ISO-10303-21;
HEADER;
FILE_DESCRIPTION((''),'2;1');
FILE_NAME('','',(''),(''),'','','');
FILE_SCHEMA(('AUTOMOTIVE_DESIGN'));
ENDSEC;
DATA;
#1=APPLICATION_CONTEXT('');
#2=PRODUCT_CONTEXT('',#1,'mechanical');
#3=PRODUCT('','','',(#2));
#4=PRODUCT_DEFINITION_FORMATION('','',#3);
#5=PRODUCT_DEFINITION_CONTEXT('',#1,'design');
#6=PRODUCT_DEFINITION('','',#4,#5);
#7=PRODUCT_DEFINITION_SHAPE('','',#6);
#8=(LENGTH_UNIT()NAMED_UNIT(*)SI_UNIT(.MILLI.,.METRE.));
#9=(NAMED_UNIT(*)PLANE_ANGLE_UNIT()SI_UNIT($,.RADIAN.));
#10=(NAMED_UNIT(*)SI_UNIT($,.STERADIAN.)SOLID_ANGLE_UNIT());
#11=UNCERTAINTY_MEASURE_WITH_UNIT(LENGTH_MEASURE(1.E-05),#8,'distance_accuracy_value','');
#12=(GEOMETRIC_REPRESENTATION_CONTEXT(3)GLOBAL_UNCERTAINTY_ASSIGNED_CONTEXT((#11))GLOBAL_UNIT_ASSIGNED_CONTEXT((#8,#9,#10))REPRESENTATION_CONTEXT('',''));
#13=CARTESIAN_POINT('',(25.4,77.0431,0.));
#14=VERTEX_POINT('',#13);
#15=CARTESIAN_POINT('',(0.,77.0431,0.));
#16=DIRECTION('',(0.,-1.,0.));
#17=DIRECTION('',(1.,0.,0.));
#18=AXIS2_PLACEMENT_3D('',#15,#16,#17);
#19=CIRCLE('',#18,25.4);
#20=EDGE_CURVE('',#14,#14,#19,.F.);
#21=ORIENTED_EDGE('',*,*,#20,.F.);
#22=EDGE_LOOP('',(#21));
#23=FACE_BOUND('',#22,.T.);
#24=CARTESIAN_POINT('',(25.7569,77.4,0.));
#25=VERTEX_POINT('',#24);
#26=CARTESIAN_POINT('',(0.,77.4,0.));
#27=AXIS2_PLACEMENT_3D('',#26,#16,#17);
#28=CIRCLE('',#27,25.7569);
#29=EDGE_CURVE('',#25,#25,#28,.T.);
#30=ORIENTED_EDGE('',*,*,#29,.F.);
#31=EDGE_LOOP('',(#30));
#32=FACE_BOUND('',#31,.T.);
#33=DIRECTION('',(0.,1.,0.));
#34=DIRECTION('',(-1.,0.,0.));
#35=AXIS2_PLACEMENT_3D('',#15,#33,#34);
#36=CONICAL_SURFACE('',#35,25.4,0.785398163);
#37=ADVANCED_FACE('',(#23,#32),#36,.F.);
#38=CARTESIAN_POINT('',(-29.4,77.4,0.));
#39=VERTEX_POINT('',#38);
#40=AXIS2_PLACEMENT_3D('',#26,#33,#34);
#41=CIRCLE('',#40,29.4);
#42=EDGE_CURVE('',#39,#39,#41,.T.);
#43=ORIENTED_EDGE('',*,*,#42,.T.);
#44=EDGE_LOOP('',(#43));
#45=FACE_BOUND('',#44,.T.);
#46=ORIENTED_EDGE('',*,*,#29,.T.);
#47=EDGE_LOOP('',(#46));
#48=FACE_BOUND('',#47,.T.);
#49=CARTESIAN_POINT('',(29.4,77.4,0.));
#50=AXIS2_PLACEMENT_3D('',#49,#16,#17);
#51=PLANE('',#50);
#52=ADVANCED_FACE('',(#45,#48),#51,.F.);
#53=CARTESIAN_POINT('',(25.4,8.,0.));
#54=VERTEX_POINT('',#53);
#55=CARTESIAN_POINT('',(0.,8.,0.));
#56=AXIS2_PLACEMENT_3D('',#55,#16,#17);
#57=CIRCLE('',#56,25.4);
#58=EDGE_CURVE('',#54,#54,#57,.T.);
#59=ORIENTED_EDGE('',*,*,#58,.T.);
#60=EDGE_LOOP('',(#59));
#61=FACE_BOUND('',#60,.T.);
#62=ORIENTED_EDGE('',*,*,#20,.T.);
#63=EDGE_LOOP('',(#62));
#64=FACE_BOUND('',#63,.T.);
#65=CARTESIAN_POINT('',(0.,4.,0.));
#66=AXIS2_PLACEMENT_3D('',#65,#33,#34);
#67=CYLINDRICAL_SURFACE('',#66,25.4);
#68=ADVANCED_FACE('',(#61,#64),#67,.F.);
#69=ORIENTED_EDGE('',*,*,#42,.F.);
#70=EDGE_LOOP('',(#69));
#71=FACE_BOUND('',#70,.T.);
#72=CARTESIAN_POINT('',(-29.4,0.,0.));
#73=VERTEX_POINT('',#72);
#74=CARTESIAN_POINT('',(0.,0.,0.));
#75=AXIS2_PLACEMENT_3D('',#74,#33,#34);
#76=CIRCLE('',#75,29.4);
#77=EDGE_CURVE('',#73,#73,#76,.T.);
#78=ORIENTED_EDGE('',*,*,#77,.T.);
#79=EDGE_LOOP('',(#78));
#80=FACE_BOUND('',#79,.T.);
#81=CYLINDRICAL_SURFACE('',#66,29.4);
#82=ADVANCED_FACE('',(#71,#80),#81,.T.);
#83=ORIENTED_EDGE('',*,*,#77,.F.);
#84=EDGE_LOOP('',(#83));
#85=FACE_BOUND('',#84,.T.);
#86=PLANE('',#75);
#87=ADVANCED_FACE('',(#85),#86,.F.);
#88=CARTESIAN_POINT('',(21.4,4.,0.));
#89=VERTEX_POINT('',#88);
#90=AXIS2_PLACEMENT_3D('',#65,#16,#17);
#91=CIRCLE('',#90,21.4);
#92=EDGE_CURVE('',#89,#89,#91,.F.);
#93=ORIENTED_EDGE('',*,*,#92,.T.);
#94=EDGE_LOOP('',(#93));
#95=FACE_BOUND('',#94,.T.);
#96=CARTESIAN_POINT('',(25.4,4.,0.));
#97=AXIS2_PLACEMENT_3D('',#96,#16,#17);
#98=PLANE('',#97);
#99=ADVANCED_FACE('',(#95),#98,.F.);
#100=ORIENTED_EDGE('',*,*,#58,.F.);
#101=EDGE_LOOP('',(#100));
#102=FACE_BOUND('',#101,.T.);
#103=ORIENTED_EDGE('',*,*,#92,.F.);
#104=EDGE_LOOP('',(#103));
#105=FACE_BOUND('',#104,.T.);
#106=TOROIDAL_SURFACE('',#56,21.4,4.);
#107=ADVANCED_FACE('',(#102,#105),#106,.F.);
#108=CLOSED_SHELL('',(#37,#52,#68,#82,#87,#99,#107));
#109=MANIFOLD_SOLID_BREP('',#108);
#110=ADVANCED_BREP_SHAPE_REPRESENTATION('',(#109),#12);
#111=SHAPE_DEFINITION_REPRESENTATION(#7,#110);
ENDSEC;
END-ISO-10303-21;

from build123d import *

# Parameters (mm, degrees)
FILLET3_R     = 4
CHAMFER1_SIZE = 0.3569


with BuildPart() as part:
    # Main Revolve Sketch → Cylinder Main Revolve (revolve)
    with BuildSketch(Plane.XY, mode=Mode.PRIVATE) as cylinder_main_revolve_sk:
        Polygon((0, 0), (29.4, 0), (29.4, 77.4), (25.4, 77.4), (25.4, 4), (0, 4), align=None)
    revolve(cylinder_main_revolve_sk.sketch.rotate(Axis((0, 4, 0), (0, -1, 0)), 180), axis=Axis((0, 4, 0), (0, -1, 0)))

    # Fillet3
    fillet3_edges = [part.edges().sort_by_distance(p)[0] for p in [
        (25.4, 4, 0),
    ]]
    fillet(fillet3_edges, radius=FILLET3_R)

    # Chamfer1
    chamfer1_edges = [part.edges().sort_by_distance(p)[0] for p in [
        (25.4, 77.4, 0),
    ]]
    chamfer(chamfer1_edges, length=CHAMFER1_SIZE)


solid = part.part
